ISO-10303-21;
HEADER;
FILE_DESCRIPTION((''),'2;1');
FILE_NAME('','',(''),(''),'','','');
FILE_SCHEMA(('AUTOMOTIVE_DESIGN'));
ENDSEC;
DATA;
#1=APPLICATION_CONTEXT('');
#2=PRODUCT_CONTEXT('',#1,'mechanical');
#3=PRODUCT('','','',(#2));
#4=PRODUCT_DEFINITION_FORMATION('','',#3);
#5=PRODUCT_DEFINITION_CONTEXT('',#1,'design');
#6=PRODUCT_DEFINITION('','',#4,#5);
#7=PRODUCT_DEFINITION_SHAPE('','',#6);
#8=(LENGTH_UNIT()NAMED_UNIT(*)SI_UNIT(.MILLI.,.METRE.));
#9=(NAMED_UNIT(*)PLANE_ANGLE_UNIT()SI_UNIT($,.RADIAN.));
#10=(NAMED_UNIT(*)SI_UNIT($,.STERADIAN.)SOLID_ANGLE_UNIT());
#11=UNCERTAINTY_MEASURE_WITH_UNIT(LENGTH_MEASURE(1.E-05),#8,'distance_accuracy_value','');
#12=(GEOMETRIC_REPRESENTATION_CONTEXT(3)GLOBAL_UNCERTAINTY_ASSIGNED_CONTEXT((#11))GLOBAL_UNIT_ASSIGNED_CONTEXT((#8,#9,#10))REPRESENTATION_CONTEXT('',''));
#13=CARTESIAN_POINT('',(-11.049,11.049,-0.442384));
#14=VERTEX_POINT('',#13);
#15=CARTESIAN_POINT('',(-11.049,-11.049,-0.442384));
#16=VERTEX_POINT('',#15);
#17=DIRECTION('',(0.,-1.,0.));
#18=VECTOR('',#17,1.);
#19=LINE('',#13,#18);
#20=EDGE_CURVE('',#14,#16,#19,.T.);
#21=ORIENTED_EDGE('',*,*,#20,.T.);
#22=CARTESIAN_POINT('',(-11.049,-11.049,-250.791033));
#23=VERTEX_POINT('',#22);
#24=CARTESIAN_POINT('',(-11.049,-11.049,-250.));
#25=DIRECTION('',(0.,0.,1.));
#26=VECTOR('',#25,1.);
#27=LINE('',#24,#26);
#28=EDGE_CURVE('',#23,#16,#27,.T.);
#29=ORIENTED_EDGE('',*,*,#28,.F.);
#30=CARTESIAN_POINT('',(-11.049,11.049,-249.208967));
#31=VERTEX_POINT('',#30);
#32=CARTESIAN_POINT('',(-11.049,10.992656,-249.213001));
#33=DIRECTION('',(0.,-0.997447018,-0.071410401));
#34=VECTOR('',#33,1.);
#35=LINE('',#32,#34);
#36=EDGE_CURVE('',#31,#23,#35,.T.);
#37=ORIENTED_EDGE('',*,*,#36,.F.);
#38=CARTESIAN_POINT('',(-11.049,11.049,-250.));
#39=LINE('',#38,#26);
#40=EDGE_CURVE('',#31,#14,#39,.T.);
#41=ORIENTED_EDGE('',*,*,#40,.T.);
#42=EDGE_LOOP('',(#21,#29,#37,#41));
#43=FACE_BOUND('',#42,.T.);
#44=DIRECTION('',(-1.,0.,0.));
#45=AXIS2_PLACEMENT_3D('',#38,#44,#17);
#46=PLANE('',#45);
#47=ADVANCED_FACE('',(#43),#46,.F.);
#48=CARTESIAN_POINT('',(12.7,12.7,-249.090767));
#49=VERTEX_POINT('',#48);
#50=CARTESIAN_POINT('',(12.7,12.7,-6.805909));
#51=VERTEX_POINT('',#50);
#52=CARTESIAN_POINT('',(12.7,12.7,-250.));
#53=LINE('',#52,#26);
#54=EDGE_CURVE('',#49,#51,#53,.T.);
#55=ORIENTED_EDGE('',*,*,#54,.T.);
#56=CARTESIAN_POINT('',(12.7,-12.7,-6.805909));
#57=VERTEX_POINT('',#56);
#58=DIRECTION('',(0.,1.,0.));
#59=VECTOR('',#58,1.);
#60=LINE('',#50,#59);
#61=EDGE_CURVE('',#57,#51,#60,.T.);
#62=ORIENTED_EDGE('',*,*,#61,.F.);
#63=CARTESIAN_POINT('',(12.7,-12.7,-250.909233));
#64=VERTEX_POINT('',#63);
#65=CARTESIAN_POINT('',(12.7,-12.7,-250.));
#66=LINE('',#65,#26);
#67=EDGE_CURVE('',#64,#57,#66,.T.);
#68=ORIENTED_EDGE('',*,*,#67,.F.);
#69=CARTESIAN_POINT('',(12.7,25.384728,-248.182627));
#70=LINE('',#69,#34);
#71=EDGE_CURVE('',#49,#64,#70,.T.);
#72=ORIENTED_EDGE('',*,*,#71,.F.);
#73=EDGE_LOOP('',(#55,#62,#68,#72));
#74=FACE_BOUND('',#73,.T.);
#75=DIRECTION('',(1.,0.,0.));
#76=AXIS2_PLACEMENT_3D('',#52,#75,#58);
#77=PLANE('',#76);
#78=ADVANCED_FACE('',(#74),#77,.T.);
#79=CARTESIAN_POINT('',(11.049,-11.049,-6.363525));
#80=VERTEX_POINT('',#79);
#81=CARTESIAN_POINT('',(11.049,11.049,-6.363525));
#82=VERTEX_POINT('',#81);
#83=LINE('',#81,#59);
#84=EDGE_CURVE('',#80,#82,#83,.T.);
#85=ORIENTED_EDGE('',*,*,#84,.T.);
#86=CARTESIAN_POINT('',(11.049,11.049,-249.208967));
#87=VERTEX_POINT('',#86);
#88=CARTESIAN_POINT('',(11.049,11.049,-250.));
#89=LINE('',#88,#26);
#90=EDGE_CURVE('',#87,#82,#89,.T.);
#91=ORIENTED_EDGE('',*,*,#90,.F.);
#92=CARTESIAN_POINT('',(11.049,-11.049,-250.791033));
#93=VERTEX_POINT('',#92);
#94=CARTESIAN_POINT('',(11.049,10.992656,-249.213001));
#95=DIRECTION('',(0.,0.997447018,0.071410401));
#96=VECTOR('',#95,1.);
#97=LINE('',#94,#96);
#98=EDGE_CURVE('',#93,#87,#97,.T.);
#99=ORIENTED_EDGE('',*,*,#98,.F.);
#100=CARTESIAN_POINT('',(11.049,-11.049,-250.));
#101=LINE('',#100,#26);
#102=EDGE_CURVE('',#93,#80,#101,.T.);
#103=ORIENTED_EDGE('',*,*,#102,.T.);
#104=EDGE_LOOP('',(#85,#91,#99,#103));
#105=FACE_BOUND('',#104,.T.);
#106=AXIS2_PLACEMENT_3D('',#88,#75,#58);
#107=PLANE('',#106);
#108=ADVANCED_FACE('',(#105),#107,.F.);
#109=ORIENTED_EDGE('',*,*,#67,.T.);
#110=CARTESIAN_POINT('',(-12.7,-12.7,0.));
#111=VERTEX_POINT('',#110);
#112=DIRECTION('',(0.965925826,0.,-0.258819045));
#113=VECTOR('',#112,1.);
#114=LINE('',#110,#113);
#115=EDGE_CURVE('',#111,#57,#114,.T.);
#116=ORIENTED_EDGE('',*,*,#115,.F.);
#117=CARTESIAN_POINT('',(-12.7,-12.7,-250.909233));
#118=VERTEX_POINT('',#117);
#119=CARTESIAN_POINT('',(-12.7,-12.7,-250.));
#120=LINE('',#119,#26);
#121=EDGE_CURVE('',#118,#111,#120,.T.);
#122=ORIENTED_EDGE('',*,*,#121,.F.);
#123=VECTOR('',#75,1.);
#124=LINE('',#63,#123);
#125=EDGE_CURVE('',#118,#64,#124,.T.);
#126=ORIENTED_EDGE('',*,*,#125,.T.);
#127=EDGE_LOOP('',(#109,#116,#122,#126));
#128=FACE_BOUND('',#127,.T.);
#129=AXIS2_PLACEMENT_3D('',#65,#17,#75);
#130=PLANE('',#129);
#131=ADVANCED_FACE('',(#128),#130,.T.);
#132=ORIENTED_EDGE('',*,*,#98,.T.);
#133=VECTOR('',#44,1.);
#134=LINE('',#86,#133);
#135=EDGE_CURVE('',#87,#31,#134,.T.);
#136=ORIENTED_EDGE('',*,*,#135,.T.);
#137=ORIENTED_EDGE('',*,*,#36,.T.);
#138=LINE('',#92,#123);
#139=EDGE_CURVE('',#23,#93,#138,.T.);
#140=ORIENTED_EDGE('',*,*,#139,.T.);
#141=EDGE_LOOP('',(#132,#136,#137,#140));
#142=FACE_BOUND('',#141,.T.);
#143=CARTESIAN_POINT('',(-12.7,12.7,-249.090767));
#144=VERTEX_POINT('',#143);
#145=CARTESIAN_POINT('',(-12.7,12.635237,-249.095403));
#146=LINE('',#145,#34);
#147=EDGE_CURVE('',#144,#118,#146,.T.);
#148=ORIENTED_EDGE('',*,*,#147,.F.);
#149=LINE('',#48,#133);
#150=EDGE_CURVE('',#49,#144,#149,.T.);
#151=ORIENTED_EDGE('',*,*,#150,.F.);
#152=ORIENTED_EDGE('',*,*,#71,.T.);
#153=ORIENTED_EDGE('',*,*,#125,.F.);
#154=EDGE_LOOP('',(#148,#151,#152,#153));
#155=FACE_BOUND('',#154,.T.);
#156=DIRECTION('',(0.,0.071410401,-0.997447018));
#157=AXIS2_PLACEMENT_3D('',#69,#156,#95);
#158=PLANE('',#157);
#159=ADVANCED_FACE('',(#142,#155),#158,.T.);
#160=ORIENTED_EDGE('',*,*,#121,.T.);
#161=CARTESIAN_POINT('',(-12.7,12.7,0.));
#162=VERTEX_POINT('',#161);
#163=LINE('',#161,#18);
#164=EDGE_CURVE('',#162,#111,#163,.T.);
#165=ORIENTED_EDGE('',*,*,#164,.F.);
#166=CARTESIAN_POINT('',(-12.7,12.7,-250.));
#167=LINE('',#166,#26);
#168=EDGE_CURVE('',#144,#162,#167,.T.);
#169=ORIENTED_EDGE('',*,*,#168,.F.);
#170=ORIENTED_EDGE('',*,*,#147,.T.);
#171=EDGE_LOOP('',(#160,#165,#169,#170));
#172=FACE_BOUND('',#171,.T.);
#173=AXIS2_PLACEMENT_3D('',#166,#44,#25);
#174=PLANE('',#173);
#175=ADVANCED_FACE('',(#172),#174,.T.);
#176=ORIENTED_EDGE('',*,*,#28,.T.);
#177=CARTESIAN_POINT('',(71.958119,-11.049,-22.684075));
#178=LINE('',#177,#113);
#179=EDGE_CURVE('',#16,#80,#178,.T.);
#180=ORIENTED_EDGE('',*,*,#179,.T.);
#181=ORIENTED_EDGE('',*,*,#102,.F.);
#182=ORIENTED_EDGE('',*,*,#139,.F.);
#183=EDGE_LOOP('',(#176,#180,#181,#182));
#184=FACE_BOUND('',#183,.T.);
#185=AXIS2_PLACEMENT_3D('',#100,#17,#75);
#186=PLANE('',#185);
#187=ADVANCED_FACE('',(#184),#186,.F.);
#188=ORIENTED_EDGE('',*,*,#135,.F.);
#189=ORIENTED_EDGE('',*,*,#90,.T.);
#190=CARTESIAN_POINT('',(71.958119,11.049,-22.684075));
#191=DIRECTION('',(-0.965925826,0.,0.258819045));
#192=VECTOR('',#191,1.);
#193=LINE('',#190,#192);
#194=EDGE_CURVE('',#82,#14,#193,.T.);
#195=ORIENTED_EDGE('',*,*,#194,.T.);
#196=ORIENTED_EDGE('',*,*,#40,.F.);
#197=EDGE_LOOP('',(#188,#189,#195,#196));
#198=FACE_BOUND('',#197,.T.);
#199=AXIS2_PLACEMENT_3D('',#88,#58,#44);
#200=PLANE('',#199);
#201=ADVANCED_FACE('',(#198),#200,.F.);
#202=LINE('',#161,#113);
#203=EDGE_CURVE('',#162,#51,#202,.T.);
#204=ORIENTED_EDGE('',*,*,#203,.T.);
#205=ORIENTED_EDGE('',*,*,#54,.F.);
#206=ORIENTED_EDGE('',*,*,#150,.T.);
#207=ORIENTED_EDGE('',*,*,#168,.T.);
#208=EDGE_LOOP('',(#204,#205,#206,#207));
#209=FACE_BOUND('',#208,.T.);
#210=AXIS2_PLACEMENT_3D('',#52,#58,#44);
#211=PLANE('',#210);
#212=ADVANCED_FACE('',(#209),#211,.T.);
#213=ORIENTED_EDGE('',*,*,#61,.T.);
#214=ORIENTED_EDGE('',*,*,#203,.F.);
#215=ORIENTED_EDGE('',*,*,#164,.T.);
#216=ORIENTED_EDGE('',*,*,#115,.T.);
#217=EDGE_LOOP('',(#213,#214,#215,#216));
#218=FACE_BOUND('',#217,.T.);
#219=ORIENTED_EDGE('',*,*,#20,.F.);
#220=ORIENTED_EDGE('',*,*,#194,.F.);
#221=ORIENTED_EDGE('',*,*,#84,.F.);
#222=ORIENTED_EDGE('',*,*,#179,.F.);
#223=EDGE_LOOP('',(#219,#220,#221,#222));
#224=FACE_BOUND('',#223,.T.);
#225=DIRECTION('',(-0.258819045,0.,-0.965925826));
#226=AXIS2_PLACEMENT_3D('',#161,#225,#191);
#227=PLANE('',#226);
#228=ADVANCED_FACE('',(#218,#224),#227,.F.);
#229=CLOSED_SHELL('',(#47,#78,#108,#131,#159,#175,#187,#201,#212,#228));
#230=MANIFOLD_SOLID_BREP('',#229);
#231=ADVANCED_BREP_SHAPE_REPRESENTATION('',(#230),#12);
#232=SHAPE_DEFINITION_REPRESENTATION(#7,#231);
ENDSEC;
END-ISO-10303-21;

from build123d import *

# Parameters (mm, degrees)
SKETCH1_W           = 25.4
SKETCH1_H           = 25.4
SKETCH1_W_2         = 22.098
SKETCH1_H_2         = 22.098
BOSS_EXTRUDE1_DEPTH = 250
SKETCH5_W           = 25.4
SKETCH5_H           = 25.4
SKETCH5_W_2         = 22.098
SKETCH5_H_2         = 22.098
BOSS_EXTRUDE2_DEPTH = 25.4
CUT_EXTRUDE1_DEPTH  = 165.021579309
CUT_EXTRUDE2_DEPTH  = 26.4


with BuildPart() as part:
    # Sketch1 → Boss-Extrude1 (new body)
    with BuildSketch(Plane.XY):
        Rectangle(SKETCH1_W, SKETCH1_H)
        Rectangle(SKETCH1_W_2, SKETCH1_H_2, mode=Mode.SUBTRACT)
    extrude(amount=-BOSS_EXTRUDE1_DEPTH)

    # Sketch5 → Boss-Extrude2 (add)
    with BuildSketch(Plane(origin=(0, 0, -250), x_dir=(-1, 0, 0), z_dir=(0, 0, -1))):
        Rectangle(SKETCH5_W, SKETCH5_H)
        Rectangle(SKETCH5_W_2, SKETCH5_H_2, mode=Mode.SUBTRACT)
    extrude(amount=BOSS_EXTRUDE2_DEPTH)

    # Sketch6 → Cut-Extrude1 (cut, through all)
    with BuildSketch(Plane(origin=(-151.321579309, -359.319373916, -111.97168159), x_dir=(0, 0, 1), z_dir=(1, 0, 0))):
        Polygon((-136.210945072, -384.704102096), (-139.845691747, -333.934645736), (-224.95481734, -363.340122949), align=None)
    extrude(amount=CUT_EXTRUDE1_DEPTH, mode=Mode.SUBTRACT)

    # Sketch7 → Cut-Extrude2 (cut, through all)
    with BuildSketch(Plane.XZ.offset(12.7)):
        Polygon((-12.7, 0), (24.645207819, -10.006618276), (24.645207819, 0), align=None)
    extrude(amount=-CUT_EXTRUDE2_DEPTH, mode=Mode.SUBTRACT)


solid = part.part
